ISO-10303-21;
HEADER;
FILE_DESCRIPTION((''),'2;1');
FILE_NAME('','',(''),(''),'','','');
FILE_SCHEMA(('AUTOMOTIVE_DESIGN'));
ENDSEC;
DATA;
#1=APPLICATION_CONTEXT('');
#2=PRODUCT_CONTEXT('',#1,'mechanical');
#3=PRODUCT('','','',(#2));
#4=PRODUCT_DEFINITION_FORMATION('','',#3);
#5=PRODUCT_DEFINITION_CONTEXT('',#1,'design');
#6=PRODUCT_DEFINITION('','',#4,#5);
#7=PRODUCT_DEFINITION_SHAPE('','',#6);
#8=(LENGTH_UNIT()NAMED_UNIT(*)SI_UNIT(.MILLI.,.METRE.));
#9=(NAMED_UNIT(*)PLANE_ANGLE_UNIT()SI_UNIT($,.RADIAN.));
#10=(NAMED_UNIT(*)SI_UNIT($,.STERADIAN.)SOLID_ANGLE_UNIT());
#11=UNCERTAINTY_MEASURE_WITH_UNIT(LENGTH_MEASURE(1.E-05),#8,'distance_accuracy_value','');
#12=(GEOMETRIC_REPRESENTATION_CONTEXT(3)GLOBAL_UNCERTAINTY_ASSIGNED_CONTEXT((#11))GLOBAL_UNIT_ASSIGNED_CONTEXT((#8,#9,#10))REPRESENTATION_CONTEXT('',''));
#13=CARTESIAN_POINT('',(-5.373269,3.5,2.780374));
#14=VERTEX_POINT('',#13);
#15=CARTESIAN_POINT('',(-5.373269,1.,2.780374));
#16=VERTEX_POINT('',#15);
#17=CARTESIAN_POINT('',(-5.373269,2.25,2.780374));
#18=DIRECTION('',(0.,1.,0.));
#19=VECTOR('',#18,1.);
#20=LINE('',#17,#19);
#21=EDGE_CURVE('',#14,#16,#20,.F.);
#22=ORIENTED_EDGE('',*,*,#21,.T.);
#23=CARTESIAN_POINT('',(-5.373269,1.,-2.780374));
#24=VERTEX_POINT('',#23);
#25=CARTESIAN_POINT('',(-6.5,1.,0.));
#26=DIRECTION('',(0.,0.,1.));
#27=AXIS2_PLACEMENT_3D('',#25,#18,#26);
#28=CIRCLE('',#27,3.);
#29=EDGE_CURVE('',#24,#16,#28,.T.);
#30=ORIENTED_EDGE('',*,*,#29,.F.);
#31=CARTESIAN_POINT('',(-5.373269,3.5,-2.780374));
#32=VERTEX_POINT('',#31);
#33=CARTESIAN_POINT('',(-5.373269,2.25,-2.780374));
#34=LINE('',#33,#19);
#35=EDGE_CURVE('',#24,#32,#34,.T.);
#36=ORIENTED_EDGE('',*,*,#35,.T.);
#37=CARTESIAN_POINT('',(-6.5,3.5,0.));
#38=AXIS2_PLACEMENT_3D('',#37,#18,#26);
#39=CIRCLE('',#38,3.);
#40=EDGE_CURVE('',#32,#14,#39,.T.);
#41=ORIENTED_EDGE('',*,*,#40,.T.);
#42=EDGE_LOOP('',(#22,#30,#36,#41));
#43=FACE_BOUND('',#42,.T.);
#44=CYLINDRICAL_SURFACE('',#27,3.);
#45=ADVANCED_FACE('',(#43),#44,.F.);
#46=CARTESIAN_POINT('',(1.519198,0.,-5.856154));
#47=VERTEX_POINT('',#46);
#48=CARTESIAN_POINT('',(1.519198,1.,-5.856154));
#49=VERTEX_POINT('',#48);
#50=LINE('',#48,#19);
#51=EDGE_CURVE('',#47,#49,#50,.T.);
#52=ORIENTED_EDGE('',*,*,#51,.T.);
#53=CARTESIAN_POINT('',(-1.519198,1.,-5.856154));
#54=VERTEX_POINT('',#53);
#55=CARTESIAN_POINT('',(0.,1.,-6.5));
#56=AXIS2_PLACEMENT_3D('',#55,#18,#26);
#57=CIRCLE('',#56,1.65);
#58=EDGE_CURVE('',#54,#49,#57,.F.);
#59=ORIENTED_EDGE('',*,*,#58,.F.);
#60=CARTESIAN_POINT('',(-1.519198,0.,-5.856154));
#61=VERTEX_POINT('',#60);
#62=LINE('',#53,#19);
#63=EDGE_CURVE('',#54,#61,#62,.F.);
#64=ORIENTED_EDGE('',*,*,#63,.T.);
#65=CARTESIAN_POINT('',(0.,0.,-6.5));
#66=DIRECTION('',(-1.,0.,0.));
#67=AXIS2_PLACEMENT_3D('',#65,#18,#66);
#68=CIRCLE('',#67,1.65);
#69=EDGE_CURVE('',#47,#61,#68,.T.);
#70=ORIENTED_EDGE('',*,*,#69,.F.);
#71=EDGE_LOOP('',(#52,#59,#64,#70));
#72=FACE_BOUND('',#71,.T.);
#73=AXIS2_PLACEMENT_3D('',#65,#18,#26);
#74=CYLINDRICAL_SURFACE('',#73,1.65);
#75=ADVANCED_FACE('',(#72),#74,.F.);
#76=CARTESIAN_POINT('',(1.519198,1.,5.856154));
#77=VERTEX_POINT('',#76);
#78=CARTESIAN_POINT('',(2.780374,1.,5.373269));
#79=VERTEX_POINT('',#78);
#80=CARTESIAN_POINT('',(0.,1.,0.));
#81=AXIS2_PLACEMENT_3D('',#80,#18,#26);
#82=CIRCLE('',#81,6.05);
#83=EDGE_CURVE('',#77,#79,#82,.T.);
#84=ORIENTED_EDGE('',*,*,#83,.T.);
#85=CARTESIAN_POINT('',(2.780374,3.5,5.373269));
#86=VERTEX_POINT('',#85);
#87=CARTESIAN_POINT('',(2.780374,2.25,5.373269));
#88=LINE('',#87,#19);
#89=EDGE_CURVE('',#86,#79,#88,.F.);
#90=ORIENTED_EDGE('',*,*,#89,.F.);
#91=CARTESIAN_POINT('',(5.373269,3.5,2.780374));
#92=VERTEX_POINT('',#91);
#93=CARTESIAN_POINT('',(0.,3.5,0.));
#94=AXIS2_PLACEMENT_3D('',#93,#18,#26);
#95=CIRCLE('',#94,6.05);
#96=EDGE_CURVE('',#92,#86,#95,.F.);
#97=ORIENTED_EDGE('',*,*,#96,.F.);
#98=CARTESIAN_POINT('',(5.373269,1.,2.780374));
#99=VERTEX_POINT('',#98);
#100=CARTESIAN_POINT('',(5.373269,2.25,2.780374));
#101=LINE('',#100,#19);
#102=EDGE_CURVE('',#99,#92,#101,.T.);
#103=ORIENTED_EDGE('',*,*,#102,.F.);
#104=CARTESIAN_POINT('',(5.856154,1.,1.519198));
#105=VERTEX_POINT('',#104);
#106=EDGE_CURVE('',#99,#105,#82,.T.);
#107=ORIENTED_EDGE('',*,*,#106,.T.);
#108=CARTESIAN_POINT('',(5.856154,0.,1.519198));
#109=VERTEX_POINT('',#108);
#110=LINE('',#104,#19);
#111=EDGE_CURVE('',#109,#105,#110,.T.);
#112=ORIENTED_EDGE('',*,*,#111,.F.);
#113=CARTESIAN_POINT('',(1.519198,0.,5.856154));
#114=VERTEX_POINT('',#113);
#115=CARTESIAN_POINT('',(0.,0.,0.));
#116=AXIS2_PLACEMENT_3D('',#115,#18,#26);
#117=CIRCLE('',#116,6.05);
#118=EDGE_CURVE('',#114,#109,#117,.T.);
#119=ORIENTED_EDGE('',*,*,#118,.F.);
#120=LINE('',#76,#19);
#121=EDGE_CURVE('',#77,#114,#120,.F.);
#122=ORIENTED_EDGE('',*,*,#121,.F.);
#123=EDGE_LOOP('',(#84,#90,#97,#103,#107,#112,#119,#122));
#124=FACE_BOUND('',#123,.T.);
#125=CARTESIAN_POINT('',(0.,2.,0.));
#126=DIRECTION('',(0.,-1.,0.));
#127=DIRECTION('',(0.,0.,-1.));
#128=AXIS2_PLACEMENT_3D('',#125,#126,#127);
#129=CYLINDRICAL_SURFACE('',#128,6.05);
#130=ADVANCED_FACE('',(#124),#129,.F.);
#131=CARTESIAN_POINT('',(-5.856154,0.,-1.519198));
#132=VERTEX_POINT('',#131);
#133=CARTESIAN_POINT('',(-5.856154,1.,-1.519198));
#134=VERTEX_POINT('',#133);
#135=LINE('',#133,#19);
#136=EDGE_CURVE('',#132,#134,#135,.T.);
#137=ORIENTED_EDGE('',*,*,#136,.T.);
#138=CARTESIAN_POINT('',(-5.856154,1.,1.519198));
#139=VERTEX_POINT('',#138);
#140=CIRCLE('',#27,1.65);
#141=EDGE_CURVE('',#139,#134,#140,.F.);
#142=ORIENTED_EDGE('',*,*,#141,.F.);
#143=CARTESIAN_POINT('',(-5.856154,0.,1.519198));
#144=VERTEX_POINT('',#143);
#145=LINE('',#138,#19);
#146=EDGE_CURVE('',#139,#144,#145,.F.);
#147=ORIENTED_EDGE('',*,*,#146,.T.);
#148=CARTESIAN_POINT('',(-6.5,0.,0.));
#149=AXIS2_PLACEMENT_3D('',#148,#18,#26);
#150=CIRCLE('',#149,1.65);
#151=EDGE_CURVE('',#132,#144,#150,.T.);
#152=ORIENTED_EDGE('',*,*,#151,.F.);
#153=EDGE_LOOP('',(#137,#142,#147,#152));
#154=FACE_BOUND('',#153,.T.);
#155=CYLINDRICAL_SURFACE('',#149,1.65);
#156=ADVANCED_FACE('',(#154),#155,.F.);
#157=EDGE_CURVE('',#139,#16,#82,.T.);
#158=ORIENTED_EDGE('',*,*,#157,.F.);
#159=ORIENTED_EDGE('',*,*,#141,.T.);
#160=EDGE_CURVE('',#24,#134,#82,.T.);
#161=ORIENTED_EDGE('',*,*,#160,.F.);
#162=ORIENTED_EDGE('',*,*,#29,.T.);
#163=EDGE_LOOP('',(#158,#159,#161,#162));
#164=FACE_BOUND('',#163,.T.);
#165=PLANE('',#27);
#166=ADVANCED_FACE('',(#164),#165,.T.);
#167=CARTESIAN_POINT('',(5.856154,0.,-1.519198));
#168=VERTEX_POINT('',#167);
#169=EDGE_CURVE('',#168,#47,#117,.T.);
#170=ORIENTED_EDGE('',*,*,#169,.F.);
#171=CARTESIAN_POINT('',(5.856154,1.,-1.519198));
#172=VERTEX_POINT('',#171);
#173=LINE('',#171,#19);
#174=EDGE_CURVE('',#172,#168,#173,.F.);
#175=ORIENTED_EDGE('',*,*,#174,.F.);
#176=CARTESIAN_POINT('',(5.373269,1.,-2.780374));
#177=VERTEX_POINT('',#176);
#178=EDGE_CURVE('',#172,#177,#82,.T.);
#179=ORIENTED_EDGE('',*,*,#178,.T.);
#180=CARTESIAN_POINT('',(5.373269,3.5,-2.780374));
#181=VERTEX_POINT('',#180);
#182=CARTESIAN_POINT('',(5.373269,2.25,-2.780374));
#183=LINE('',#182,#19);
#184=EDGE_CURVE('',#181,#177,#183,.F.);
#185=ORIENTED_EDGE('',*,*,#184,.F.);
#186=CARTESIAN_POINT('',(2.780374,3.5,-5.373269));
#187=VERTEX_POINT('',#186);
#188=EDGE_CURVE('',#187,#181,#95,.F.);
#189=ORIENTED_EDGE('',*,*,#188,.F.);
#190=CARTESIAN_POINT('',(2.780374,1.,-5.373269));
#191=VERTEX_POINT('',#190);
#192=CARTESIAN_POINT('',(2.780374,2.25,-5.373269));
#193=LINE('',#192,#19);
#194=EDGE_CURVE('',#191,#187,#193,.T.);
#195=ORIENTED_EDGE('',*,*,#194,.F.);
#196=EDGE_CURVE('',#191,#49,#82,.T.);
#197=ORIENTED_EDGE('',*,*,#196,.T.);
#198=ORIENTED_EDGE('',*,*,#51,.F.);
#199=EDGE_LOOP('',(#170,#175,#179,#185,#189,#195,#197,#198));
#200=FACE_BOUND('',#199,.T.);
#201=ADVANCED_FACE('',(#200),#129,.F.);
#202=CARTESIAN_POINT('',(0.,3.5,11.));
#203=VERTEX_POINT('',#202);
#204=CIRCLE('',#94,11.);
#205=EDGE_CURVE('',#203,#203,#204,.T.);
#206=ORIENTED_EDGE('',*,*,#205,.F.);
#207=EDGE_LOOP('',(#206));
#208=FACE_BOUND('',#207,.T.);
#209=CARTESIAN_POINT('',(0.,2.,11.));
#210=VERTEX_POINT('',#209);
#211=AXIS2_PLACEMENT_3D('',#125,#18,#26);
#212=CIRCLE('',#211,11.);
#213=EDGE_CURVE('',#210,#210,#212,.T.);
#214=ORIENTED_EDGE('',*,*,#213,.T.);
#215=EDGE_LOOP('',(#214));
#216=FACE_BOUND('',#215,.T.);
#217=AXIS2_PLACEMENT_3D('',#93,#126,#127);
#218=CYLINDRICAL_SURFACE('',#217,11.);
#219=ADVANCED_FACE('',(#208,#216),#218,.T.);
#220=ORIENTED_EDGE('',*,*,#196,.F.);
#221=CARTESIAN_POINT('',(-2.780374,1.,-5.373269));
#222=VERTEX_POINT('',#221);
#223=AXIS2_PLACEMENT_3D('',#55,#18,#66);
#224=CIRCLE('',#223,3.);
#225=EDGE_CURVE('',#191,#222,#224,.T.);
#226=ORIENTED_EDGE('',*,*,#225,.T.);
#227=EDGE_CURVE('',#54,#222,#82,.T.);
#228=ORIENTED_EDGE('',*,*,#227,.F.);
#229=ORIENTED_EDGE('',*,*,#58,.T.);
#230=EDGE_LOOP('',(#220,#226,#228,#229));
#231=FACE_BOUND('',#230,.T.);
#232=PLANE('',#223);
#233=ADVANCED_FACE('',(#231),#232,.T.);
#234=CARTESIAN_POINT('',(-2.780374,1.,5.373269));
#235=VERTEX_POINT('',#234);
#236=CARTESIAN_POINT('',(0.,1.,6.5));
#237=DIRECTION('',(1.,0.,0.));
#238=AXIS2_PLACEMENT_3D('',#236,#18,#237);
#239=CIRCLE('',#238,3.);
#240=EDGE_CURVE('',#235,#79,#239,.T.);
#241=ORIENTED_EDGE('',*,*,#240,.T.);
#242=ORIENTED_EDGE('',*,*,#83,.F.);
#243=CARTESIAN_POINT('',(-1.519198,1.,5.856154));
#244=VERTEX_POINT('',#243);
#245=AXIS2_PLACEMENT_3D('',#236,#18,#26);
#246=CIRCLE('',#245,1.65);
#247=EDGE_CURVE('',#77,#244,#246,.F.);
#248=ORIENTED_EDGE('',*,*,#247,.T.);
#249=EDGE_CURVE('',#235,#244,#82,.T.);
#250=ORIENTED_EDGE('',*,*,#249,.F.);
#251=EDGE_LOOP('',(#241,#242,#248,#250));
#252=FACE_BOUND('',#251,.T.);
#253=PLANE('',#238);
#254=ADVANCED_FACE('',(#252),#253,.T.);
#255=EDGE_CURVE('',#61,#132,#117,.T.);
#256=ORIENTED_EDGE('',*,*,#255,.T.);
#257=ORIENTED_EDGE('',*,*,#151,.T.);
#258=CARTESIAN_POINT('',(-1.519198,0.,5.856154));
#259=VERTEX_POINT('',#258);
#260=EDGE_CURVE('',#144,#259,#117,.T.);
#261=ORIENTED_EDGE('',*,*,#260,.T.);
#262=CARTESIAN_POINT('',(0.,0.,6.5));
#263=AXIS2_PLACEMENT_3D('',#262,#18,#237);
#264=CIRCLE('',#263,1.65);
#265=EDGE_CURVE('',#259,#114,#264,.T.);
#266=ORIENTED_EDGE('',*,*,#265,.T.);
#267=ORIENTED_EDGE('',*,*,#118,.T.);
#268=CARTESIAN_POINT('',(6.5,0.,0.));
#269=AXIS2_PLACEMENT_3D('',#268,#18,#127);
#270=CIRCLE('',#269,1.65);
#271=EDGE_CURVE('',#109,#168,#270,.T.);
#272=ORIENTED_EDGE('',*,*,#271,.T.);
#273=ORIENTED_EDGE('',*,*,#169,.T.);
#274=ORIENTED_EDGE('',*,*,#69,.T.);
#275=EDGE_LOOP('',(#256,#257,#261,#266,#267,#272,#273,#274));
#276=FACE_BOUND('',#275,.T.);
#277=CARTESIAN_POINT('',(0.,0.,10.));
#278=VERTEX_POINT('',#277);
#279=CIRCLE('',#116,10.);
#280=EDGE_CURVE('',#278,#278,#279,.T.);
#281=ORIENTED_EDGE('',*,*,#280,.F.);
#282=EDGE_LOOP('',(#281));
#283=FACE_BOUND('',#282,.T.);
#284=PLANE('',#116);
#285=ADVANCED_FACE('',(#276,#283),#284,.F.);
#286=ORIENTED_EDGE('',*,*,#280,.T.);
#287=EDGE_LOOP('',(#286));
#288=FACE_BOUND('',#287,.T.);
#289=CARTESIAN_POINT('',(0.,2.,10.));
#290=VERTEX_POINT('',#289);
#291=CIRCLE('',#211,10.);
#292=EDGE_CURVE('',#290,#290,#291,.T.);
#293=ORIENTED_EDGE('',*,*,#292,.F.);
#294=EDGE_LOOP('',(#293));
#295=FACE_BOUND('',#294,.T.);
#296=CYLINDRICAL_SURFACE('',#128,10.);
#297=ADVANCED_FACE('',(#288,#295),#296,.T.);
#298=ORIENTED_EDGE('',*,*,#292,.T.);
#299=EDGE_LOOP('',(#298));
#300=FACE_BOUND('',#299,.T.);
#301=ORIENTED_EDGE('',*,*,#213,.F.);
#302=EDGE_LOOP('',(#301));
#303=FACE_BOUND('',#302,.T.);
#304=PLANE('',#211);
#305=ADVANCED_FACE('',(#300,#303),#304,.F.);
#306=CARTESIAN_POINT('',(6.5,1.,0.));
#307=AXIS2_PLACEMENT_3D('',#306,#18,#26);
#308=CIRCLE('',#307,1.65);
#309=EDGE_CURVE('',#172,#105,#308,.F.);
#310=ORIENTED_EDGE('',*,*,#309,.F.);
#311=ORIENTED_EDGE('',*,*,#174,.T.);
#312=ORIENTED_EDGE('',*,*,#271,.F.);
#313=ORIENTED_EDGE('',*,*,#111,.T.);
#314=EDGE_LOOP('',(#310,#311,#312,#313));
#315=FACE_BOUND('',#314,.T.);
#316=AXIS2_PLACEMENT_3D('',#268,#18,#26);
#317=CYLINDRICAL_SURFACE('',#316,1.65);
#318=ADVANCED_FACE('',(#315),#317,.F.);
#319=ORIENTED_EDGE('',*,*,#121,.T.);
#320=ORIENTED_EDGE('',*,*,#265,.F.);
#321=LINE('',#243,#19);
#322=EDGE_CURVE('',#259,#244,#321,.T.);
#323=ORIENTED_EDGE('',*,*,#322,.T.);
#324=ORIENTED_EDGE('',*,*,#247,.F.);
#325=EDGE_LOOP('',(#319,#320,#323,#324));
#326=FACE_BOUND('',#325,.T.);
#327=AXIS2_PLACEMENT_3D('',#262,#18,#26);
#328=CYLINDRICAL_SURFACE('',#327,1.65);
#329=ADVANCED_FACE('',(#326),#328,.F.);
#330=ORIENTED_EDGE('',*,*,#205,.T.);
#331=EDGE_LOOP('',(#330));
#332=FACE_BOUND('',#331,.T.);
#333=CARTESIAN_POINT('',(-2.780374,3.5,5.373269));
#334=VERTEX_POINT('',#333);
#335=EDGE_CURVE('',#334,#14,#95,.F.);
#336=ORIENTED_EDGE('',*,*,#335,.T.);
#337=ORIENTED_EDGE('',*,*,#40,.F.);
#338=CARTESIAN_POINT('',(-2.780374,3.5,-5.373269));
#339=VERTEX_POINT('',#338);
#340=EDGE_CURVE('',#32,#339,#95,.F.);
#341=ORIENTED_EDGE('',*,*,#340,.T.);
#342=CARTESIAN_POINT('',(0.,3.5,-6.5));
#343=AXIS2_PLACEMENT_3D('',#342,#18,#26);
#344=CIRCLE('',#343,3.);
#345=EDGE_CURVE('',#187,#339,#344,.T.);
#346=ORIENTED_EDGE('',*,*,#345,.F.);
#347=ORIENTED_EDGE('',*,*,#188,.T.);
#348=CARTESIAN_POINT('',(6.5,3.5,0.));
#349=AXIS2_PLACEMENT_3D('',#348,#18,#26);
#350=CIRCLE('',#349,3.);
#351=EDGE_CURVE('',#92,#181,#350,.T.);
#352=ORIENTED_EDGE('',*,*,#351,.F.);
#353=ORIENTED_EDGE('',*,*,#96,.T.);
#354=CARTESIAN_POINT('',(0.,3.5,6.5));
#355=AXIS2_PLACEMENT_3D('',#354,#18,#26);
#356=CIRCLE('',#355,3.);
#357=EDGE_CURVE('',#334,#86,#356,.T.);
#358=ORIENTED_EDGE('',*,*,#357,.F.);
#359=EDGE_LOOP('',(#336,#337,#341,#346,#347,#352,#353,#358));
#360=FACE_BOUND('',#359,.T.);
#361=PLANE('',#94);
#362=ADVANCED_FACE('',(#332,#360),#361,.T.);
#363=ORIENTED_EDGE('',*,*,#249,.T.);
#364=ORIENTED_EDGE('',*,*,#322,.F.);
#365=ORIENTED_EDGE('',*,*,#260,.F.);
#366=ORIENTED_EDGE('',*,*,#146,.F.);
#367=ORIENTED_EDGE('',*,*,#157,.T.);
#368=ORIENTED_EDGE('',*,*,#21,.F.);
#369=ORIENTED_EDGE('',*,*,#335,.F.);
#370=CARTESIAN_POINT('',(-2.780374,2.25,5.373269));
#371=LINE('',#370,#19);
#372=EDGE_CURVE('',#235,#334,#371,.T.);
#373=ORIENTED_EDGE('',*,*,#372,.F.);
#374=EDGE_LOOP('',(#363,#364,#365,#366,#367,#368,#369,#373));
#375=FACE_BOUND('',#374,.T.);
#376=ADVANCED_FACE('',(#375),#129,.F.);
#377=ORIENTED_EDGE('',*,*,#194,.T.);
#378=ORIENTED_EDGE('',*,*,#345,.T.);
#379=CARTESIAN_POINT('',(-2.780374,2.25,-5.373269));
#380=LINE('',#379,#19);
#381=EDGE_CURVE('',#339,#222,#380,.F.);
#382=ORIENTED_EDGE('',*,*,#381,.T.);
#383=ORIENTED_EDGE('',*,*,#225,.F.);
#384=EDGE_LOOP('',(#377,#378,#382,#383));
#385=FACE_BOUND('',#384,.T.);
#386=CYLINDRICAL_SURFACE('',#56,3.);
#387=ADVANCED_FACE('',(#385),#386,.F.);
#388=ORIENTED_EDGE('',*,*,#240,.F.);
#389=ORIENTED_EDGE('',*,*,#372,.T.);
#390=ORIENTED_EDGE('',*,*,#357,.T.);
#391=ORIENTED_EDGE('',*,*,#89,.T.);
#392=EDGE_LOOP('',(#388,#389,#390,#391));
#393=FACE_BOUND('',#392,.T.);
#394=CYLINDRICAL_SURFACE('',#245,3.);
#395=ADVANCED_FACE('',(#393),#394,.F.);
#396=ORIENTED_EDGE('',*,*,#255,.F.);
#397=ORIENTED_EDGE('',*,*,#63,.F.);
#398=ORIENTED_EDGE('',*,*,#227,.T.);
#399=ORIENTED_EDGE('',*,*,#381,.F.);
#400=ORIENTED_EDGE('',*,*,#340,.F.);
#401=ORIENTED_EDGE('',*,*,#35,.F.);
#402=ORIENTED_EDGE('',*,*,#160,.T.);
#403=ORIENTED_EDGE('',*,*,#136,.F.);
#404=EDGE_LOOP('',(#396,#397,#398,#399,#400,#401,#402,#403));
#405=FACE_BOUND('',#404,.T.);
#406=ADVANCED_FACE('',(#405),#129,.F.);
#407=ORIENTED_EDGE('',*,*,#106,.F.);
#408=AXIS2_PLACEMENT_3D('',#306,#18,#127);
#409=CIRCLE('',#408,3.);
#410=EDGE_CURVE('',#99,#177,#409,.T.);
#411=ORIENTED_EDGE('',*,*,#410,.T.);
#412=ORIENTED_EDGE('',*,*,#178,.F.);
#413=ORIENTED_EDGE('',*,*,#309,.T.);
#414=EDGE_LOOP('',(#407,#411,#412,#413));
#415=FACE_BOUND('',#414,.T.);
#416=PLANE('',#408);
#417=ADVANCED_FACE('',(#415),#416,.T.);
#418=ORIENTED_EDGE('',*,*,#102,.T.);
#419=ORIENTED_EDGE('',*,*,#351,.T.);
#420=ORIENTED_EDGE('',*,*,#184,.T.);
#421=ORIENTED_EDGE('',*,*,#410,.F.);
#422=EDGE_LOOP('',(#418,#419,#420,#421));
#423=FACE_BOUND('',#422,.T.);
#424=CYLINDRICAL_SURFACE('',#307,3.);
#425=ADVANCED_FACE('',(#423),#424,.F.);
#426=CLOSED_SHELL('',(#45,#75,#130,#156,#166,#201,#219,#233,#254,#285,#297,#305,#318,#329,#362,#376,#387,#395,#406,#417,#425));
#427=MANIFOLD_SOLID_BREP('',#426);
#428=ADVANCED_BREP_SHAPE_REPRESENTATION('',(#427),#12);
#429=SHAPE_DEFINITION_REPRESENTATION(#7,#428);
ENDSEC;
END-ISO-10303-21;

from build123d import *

# Parameters (mm, degrees)
SKETCH_1_R               = 10
SKETCH_1_R_2             = 6.05
EXTRUDE_1_DEPTH          = 2
SKETCH_2_R               = 1.65
CUT_EXTRUDE_1_DEPTH      = 2
PATTERN_CIRCULAR_1_COUNT = 4
SKETCH_3_R               = 11
SKETCH_3_R_2             = 10
EXTRUDE_2_DEPTH          = 1.5
SKETCH_4_R               = 3
CUT_EXTRUDE_2_DEPTH      = 2.5
PATTERN_CIRCULAR_2_COUNT = 4


with BuildPart() as part:
    # 草图1 → 凸台-拉伸1 (new body)
    with BuildSketch(Plane(origin=(0, 0, 0), x_dir=(1, 0, 0), z_dir=(0, 1, 0))):
        with Locations(Location((0, 0, 0), (0, 0, 270))):
            Circle(SKETCH_1_R)
        with Locations(Location((0, 0, 0), (0, 0, 270))):
            Circle(SKETCH_1_R_2, mode=Mode.SUBTRACT)
    extrude(amount=EXTRUDE_1_DEPTH)

    # 草图2 → 切除-拉伸1 (cut)
    with BuildSketch(Plane(origin=(0, 2, 0), x_dir=(1, 0, 0), z_dir=(0, 1, 0))):
        with Locations((-6.5, 0)):
            Circle(SKETCH_2_R)
    cut_extrude_1 = extrude(amount=-CUT_EXTRUDE_1_DEPTH, mode=Mode.SUBTRACT)

    # 阵列(圆周)1: 切除-拉伸1 ×4 about axis
    pattern_circular_1_axis = Axis((0, 0, 0), (0, 1, 0))
    for i in range(1, PATTERN_CIRCULAR_1_COUNT):
        add(cut_extrude_1.rotate(pattern_circular_1_axis, i * 360 / PATTERN_CIRCULAR_1_COUNT), mode=Mode.SUBTRACT)

    # 草图3 → 凸台-拉伸2 (add)
    # profile 1 of 2: a face of its own
    with BuildSketch(Plane(origin=(0, 2, 0), x_dir=(1, 0, 0), z_dir=(0, 1, 0))):
        with Locations(Location((0, 0, 0), (0, 0, 270))):
            Circle(SKETCH_3_R)
        with Locations(Location((0, 0, 0), (0, 0, 270))):
            Circle(SKETCH_3_R_2, mode=Mode.SUBTRACT)
    # profile 2 of 2: a face of its own
    with BuildSketch(Plane(origin=(0, 2, 0), x_dir=(1, 0, 0), z_dir=(0, 1, 0))):
        with Locations(Location((0, 0, 0), (0, 0, 270))):
            Circle(SKETCH_3_R_2)
        with BuildLine():
            ThreePointArc((5.856153846, -1.519197857), (4.277996026, -4.277996026), (1.519197857, -5.856153846))
            ThreePointArc((1.519197857, -5.856153846), (0, -8.15), (-1.519197857, -5.856153846))
            ThreePointArc((-1.519197857, -5.856153846), (-4.277996026, -4.277996026), (-5.856153846, -1.519197857))
            ThreePointArc((-5.856153846, -1.519197857), (-8.15, 0), (-5.856153846, 1.519197857))
            ThreePointArc((-5.856153846, 1.519197857), (-4.277996026, 4.277996026), (-1.519197857, 5.856153846))
            ThreePointArc((-1.519197857, 5.856153846), (0, 8.15), (1.519197857, 5.856153846))
            ThreePointArc((1.519197857, 5.856153846), (4.277996026, 4.277996026), (5.856153846, 1.519197857))
            ThreePointArc((5.856153846, 1.519197857), (8.15, 0), (5.856153846, -1.519197857))
        make_face(mode=Mode.SUBTRACT)
    extrude(amount=EXTRUDE_2_DEPTH)

    # 草图4 → 切除-拉伸2 (cut)
    with BuildSketch(Plane(origin=(0, 3.5, 0), x_dir=(1, 0, 0), z_dir=(0, 1, 0))):
        with Locations((-6.5, 0)):
            Circle(SKETCH_4_R)
    cut_extrude_2 = extrude(amount=-CUT_EXTRUDE_2_DEPTH, mode=Mode.SUBTRACT)

    # 阵列(圆周)2: 切除-拉伸2 ×4 about axis
    pattern_circular_2_axis = Axis((0, 0, 0), (0, 1, 0))
    for i in range(1, PATTERN_CIRCULAR_2_COUNT):
        add(cut_extrude_2.rotate(pattern_circular_2_axis, i * 360 / PATTERN_CIRCULAR_2_COUNT), mode=Mode.SUBTRACT)


solid = part.part
